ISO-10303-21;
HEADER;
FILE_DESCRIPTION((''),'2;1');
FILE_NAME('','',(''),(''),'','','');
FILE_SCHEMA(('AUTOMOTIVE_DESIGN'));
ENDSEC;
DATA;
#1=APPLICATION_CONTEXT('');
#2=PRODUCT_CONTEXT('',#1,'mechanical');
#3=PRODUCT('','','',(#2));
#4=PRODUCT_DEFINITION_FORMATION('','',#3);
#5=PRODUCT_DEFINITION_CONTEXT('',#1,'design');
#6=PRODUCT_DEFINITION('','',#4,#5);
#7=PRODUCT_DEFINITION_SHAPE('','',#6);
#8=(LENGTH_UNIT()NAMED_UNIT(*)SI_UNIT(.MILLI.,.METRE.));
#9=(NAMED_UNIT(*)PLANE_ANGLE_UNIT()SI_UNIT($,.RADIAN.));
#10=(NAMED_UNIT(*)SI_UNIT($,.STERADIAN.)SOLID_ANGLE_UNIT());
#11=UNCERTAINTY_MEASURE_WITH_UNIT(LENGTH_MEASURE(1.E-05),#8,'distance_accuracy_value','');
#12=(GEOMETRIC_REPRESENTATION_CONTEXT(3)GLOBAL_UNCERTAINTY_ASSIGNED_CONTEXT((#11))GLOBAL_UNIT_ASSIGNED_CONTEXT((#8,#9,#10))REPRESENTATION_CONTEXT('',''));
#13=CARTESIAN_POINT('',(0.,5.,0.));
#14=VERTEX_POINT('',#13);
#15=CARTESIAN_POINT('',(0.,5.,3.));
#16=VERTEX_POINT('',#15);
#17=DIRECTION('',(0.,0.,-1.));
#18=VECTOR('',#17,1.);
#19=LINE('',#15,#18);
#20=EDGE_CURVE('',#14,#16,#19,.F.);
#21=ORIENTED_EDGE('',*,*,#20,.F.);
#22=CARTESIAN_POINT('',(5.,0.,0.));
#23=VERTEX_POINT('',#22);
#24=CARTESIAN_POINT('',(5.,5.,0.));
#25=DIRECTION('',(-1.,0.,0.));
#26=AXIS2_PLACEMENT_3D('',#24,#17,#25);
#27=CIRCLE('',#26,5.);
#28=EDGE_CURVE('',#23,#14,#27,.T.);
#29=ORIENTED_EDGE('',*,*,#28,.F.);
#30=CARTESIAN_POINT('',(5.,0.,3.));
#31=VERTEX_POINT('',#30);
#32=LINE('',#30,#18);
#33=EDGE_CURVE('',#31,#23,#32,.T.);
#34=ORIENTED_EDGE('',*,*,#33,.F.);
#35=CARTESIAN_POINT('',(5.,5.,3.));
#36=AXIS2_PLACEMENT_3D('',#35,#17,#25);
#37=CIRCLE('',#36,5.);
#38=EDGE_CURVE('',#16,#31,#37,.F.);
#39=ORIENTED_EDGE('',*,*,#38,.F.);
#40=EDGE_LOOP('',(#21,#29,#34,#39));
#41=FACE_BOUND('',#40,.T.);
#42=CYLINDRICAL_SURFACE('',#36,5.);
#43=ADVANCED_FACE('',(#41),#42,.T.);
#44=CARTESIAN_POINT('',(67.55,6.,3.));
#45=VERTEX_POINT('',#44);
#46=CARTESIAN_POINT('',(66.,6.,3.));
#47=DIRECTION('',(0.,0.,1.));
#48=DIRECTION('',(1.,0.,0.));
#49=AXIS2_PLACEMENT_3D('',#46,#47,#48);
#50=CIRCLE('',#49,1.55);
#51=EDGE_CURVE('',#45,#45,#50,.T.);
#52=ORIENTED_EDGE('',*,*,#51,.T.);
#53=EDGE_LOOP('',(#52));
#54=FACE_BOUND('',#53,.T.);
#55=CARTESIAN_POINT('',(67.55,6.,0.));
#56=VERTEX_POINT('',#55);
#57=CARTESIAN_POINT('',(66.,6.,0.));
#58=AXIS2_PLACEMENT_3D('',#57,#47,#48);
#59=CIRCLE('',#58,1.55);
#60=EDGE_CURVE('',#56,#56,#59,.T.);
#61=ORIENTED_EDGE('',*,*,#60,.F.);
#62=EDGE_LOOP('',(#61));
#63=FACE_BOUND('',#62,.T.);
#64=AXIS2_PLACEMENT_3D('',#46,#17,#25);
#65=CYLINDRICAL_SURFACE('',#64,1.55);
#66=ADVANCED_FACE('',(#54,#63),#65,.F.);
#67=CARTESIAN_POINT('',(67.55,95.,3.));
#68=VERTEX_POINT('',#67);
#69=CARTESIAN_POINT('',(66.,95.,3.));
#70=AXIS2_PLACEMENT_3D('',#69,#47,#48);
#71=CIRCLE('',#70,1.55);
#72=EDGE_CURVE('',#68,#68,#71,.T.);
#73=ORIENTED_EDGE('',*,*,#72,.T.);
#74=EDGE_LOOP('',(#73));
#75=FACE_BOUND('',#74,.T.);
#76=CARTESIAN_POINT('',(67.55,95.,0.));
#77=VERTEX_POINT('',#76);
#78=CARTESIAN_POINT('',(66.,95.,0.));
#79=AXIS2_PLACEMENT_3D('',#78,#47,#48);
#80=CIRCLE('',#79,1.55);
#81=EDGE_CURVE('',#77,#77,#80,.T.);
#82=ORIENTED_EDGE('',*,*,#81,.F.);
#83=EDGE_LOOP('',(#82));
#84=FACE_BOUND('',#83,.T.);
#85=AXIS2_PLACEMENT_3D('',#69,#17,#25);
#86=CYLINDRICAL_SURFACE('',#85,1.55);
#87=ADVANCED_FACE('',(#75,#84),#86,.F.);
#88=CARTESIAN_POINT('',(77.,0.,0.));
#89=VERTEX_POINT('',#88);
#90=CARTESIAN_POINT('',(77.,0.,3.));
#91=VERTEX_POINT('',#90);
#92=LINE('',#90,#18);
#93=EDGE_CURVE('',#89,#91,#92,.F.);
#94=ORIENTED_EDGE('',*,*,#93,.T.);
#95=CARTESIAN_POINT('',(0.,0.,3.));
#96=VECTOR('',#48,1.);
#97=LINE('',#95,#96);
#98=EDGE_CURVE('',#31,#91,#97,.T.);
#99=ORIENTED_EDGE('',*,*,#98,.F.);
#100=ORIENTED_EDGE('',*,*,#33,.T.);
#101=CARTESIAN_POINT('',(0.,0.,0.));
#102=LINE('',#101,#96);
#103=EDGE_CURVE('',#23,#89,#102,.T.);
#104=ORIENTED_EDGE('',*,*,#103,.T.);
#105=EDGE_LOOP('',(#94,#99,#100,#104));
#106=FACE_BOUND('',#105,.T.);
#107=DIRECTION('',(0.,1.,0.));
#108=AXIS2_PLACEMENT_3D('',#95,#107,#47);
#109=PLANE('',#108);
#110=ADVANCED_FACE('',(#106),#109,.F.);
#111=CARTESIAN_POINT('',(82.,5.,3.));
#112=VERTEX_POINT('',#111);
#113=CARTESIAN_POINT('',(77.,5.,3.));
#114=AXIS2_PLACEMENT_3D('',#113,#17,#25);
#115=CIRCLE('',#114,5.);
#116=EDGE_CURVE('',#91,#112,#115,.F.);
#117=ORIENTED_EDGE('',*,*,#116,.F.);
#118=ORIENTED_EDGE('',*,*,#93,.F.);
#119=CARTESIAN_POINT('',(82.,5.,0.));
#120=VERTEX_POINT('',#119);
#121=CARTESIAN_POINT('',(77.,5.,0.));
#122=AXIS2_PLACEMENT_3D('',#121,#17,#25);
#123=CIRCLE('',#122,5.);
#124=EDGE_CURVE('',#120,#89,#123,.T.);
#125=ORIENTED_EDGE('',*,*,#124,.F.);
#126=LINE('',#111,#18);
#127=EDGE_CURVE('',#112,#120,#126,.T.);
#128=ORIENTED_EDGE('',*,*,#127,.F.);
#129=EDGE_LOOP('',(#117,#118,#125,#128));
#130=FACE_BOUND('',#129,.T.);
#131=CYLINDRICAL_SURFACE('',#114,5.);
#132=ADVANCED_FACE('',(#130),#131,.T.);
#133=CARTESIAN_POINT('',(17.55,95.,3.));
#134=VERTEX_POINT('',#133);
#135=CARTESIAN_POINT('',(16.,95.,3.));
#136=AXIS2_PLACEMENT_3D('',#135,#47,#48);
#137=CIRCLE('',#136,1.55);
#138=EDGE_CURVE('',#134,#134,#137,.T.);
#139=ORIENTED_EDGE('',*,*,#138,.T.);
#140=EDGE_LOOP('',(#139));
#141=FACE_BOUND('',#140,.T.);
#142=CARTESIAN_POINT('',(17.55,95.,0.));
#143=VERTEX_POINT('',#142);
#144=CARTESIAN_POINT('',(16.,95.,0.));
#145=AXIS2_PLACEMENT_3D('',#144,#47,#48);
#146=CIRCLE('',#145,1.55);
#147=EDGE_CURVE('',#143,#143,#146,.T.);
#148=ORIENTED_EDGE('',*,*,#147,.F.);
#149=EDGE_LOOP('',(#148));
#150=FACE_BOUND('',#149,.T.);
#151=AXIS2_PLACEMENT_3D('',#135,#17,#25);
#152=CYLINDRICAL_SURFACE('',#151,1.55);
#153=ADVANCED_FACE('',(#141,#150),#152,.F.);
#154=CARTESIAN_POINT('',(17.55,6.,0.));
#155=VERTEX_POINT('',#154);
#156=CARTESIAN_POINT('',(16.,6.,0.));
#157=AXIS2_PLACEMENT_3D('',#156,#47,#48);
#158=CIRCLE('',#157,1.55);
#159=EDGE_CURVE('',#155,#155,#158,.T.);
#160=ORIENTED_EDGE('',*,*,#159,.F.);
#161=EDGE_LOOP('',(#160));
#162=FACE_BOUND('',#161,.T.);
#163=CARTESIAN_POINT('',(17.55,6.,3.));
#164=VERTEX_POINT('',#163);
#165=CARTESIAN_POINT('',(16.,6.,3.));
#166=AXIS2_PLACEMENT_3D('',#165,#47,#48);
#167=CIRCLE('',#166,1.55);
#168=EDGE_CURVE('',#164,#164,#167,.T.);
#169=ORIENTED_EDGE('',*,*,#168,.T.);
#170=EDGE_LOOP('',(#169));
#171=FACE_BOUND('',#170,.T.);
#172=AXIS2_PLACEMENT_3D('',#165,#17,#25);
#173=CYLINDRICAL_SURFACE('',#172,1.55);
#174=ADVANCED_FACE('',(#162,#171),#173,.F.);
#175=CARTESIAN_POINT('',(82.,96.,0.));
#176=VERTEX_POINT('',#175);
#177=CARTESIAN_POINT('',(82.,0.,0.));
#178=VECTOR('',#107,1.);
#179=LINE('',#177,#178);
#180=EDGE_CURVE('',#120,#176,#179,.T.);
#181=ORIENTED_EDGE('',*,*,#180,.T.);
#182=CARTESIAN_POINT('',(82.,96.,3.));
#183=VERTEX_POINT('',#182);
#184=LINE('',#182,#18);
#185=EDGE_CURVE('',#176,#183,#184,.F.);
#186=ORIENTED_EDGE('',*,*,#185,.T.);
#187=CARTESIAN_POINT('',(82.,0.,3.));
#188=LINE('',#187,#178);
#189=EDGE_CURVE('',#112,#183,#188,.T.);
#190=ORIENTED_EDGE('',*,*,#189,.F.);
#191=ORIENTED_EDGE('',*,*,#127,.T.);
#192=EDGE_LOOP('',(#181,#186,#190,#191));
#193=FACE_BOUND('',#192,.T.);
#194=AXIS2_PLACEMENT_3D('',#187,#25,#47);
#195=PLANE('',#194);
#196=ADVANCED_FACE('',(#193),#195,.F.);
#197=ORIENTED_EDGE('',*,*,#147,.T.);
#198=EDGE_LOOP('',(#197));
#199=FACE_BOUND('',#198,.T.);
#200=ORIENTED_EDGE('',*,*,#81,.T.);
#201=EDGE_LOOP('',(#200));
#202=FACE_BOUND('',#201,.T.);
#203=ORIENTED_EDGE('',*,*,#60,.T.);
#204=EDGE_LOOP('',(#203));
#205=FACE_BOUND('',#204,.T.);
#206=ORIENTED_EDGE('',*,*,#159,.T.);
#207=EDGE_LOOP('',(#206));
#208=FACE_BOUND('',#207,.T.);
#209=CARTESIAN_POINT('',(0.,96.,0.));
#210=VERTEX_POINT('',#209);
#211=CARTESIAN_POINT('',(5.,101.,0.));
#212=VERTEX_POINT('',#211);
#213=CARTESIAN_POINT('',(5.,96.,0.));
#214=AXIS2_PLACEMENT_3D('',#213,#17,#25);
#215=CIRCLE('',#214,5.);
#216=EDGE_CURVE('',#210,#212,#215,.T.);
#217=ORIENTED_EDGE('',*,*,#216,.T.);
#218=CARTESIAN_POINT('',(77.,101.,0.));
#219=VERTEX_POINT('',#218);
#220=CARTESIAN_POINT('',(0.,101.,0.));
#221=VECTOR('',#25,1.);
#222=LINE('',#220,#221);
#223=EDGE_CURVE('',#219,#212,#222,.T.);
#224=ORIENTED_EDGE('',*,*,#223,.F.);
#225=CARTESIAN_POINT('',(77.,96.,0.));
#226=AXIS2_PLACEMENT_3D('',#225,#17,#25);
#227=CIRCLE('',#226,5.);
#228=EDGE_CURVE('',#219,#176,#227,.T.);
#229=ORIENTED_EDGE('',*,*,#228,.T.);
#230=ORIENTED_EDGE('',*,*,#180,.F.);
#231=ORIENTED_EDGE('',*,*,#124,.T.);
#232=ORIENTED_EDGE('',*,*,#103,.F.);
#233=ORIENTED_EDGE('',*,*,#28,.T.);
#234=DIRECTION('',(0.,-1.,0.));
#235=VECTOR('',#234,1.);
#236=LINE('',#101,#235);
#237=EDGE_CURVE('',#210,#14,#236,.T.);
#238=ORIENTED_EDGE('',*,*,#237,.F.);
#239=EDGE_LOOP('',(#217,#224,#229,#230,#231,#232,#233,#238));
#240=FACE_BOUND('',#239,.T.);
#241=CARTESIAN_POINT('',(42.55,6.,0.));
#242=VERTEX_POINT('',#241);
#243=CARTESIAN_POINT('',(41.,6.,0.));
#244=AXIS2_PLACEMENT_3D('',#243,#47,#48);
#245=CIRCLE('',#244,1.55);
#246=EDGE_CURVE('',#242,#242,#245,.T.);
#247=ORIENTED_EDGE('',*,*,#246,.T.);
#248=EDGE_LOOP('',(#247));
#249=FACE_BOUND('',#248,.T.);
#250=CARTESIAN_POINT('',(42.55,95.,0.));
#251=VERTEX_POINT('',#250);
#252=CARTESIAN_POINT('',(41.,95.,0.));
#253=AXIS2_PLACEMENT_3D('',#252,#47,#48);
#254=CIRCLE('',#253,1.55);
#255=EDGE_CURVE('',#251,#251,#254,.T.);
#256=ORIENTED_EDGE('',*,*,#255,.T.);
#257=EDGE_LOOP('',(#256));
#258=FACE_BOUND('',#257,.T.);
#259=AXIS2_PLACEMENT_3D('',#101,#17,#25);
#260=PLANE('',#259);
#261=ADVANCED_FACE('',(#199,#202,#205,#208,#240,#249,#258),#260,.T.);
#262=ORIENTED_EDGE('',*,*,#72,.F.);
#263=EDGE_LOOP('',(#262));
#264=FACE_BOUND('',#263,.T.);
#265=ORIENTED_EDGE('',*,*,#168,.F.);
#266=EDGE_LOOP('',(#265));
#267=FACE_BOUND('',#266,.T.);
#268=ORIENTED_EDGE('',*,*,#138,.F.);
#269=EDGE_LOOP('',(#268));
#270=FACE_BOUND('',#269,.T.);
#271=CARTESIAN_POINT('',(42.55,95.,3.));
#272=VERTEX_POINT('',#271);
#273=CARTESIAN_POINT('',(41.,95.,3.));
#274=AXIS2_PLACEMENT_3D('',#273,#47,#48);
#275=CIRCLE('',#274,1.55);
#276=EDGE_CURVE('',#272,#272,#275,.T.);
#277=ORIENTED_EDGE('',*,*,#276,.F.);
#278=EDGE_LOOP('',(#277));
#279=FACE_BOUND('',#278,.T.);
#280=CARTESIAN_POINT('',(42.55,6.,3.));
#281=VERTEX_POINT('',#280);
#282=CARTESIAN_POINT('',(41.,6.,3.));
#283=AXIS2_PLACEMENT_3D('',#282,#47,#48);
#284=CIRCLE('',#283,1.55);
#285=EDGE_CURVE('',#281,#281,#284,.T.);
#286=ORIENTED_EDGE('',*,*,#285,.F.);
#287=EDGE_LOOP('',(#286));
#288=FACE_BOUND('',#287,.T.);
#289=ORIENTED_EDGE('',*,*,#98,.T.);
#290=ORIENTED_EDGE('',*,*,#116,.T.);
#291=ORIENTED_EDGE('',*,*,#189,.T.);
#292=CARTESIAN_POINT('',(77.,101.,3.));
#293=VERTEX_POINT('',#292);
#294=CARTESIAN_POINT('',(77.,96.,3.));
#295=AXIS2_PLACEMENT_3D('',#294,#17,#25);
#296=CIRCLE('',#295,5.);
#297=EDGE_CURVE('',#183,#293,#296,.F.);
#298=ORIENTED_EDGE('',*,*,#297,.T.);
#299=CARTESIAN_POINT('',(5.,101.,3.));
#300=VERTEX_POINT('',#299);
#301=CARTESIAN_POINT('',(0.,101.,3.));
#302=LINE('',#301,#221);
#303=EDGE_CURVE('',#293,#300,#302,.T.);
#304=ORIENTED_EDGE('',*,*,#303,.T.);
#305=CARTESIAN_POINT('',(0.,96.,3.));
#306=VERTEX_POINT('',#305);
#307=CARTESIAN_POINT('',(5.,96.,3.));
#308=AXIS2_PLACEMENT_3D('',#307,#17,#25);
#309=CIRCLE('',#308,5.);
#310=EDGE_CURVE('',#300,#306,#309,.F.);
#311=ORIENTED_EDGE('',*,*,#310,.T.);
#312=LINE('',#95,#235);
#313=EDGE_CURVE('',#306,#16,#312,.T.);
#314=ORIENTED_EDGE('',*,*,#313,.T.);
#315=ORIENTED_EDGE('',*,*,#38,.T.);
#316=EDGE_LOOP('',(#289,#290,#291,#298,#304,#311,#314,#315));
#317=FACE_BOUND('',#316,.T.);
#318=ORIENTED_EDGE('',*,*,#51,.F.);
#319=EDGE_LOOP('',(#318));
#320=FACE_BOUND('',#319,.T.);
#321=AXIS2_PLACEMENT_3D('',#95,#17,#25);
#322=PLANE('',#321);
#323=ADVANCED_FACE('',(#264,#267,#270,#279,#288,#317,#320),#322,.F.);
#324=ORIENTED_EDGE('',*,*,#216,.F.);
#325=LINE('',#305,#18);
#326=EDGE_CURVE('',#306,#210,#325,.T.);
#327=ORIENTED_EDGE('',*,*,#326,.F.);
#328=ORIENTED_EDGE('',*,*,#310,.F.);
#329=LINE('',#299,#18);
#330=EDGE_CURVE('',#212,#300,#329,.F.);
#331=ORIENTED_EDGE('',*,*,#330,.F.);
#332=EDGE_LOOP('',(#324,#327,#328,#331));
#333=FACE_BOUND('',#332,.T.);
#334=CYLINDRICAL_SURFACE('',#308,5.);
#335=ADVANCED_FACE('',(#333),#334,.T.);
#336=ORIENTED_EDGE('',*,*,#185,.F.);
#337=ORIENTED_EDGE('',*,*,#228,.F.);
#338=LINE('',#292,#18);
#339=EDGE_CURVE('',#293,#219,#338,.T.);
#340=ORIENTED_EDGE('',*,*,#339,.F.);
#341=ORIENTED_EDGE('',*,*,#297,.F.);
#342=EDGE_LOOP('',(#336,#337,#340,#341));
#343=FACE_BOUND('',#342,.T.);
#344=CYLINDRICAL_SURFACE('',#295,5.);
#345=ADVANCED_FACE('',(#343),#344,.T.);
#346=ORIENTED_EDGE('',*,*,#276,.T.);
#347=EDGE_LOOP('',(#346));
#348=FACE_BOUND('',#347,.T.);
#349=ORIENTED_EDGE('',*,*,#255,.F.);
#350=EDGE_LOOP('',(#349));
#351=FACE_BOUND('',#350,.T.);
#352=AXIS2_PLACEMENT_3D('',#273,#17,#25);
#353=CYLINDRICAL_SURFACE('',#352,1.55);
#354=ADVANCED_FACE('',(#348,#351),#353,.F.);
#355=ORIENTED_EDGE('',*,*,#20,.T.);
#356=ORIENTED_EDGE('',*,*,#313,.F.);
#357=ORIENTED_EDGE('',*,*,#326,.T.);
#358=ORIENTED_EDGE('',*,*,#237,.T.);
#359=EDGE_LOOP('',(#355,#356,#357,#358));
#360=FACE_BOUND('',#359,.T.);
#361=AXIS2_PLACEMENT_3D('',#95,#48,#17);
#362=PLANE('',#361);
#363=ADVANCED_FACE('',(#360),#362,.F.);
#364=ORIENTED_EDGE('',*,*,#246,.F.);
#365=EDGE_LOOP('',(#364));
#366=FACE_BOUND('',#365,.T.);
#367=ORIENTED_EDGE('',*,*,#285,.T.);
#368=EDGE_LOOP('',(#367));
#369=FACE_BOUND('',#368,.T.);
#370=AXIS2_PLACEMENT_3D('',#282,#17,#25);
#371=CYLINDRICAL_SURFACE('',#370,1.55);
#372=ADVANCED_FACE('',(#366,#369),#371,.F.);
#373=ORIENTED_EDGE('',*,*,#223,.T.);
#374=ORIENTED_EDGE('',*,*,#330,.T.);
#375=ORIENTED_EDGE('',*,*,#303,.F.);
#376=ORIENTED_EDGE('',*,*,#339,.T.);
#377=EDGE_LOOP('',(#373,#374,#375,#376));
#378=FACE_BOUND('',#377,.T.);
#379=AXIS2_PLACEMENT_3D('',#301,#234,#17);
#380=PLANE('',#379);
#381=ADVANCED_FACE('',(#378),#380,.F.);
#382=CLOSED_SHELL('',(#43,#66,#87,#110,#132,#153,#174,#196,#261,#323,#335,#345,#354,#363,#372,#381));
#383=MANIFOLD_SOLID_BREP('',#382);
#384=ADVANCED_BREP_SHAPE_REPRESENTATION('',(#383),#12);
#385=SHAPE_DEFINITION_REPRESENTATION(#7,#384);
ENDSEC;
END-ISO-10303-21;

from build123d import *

# Parameters (mm, degrees)
SKETCH_1_W      = 82
SKETCH_1_H      = 101
SKETCH_1_R      = 1.55
EXTRUDE_1_DEPTH = 3
FILLET_1_R      = 5


with BuildPart() as part:
    # 草图1 → 凸台-拉伸1 (new body)
    with BuildSketch(Plane.XY):
        with Locations((41, 50.5)):
            Rectangle(SKETCH_1_W, SKETCH_1_H)
        with Locations((41, 6)):
            Circle(SKETCH_1_R, mode=Mode.SUBTRACT)
        with Locations((66, 6)):
            Circle(SKETCH_1_R, mode=Mode.SUBTRACT)
        with Locations((16, 6)):
            Circle(SKETCH_1_R, mode=Mode.SUBTRACT)
        with Locations((41, 95)):
            Circle(SKETCH_1_R, mode=Mode.SUBTRACT)
        with Locations((66, 95)):
            Circle(SKETCH_1_R, mode=Mode.SUBTRACT)
        with Locations((16, 95)):
            Circle(SKETCH_1_R, mode=Mode.SUBTRACT)
    extrude(amount=EXTRUDE_1_DEPTH)

    # 圆角1
    fillet_1_edges = [part.edges().sort_by_distance(p)[0] for p in [
        (0, 101, 1.5),
        (82, 101, 1.5),
        (82, 0, 1.5),
        (0, 0, 1.5),
    ]]
    fillet(fillet_1_edges, radius=FILLET_1_R)


solid = part.part
